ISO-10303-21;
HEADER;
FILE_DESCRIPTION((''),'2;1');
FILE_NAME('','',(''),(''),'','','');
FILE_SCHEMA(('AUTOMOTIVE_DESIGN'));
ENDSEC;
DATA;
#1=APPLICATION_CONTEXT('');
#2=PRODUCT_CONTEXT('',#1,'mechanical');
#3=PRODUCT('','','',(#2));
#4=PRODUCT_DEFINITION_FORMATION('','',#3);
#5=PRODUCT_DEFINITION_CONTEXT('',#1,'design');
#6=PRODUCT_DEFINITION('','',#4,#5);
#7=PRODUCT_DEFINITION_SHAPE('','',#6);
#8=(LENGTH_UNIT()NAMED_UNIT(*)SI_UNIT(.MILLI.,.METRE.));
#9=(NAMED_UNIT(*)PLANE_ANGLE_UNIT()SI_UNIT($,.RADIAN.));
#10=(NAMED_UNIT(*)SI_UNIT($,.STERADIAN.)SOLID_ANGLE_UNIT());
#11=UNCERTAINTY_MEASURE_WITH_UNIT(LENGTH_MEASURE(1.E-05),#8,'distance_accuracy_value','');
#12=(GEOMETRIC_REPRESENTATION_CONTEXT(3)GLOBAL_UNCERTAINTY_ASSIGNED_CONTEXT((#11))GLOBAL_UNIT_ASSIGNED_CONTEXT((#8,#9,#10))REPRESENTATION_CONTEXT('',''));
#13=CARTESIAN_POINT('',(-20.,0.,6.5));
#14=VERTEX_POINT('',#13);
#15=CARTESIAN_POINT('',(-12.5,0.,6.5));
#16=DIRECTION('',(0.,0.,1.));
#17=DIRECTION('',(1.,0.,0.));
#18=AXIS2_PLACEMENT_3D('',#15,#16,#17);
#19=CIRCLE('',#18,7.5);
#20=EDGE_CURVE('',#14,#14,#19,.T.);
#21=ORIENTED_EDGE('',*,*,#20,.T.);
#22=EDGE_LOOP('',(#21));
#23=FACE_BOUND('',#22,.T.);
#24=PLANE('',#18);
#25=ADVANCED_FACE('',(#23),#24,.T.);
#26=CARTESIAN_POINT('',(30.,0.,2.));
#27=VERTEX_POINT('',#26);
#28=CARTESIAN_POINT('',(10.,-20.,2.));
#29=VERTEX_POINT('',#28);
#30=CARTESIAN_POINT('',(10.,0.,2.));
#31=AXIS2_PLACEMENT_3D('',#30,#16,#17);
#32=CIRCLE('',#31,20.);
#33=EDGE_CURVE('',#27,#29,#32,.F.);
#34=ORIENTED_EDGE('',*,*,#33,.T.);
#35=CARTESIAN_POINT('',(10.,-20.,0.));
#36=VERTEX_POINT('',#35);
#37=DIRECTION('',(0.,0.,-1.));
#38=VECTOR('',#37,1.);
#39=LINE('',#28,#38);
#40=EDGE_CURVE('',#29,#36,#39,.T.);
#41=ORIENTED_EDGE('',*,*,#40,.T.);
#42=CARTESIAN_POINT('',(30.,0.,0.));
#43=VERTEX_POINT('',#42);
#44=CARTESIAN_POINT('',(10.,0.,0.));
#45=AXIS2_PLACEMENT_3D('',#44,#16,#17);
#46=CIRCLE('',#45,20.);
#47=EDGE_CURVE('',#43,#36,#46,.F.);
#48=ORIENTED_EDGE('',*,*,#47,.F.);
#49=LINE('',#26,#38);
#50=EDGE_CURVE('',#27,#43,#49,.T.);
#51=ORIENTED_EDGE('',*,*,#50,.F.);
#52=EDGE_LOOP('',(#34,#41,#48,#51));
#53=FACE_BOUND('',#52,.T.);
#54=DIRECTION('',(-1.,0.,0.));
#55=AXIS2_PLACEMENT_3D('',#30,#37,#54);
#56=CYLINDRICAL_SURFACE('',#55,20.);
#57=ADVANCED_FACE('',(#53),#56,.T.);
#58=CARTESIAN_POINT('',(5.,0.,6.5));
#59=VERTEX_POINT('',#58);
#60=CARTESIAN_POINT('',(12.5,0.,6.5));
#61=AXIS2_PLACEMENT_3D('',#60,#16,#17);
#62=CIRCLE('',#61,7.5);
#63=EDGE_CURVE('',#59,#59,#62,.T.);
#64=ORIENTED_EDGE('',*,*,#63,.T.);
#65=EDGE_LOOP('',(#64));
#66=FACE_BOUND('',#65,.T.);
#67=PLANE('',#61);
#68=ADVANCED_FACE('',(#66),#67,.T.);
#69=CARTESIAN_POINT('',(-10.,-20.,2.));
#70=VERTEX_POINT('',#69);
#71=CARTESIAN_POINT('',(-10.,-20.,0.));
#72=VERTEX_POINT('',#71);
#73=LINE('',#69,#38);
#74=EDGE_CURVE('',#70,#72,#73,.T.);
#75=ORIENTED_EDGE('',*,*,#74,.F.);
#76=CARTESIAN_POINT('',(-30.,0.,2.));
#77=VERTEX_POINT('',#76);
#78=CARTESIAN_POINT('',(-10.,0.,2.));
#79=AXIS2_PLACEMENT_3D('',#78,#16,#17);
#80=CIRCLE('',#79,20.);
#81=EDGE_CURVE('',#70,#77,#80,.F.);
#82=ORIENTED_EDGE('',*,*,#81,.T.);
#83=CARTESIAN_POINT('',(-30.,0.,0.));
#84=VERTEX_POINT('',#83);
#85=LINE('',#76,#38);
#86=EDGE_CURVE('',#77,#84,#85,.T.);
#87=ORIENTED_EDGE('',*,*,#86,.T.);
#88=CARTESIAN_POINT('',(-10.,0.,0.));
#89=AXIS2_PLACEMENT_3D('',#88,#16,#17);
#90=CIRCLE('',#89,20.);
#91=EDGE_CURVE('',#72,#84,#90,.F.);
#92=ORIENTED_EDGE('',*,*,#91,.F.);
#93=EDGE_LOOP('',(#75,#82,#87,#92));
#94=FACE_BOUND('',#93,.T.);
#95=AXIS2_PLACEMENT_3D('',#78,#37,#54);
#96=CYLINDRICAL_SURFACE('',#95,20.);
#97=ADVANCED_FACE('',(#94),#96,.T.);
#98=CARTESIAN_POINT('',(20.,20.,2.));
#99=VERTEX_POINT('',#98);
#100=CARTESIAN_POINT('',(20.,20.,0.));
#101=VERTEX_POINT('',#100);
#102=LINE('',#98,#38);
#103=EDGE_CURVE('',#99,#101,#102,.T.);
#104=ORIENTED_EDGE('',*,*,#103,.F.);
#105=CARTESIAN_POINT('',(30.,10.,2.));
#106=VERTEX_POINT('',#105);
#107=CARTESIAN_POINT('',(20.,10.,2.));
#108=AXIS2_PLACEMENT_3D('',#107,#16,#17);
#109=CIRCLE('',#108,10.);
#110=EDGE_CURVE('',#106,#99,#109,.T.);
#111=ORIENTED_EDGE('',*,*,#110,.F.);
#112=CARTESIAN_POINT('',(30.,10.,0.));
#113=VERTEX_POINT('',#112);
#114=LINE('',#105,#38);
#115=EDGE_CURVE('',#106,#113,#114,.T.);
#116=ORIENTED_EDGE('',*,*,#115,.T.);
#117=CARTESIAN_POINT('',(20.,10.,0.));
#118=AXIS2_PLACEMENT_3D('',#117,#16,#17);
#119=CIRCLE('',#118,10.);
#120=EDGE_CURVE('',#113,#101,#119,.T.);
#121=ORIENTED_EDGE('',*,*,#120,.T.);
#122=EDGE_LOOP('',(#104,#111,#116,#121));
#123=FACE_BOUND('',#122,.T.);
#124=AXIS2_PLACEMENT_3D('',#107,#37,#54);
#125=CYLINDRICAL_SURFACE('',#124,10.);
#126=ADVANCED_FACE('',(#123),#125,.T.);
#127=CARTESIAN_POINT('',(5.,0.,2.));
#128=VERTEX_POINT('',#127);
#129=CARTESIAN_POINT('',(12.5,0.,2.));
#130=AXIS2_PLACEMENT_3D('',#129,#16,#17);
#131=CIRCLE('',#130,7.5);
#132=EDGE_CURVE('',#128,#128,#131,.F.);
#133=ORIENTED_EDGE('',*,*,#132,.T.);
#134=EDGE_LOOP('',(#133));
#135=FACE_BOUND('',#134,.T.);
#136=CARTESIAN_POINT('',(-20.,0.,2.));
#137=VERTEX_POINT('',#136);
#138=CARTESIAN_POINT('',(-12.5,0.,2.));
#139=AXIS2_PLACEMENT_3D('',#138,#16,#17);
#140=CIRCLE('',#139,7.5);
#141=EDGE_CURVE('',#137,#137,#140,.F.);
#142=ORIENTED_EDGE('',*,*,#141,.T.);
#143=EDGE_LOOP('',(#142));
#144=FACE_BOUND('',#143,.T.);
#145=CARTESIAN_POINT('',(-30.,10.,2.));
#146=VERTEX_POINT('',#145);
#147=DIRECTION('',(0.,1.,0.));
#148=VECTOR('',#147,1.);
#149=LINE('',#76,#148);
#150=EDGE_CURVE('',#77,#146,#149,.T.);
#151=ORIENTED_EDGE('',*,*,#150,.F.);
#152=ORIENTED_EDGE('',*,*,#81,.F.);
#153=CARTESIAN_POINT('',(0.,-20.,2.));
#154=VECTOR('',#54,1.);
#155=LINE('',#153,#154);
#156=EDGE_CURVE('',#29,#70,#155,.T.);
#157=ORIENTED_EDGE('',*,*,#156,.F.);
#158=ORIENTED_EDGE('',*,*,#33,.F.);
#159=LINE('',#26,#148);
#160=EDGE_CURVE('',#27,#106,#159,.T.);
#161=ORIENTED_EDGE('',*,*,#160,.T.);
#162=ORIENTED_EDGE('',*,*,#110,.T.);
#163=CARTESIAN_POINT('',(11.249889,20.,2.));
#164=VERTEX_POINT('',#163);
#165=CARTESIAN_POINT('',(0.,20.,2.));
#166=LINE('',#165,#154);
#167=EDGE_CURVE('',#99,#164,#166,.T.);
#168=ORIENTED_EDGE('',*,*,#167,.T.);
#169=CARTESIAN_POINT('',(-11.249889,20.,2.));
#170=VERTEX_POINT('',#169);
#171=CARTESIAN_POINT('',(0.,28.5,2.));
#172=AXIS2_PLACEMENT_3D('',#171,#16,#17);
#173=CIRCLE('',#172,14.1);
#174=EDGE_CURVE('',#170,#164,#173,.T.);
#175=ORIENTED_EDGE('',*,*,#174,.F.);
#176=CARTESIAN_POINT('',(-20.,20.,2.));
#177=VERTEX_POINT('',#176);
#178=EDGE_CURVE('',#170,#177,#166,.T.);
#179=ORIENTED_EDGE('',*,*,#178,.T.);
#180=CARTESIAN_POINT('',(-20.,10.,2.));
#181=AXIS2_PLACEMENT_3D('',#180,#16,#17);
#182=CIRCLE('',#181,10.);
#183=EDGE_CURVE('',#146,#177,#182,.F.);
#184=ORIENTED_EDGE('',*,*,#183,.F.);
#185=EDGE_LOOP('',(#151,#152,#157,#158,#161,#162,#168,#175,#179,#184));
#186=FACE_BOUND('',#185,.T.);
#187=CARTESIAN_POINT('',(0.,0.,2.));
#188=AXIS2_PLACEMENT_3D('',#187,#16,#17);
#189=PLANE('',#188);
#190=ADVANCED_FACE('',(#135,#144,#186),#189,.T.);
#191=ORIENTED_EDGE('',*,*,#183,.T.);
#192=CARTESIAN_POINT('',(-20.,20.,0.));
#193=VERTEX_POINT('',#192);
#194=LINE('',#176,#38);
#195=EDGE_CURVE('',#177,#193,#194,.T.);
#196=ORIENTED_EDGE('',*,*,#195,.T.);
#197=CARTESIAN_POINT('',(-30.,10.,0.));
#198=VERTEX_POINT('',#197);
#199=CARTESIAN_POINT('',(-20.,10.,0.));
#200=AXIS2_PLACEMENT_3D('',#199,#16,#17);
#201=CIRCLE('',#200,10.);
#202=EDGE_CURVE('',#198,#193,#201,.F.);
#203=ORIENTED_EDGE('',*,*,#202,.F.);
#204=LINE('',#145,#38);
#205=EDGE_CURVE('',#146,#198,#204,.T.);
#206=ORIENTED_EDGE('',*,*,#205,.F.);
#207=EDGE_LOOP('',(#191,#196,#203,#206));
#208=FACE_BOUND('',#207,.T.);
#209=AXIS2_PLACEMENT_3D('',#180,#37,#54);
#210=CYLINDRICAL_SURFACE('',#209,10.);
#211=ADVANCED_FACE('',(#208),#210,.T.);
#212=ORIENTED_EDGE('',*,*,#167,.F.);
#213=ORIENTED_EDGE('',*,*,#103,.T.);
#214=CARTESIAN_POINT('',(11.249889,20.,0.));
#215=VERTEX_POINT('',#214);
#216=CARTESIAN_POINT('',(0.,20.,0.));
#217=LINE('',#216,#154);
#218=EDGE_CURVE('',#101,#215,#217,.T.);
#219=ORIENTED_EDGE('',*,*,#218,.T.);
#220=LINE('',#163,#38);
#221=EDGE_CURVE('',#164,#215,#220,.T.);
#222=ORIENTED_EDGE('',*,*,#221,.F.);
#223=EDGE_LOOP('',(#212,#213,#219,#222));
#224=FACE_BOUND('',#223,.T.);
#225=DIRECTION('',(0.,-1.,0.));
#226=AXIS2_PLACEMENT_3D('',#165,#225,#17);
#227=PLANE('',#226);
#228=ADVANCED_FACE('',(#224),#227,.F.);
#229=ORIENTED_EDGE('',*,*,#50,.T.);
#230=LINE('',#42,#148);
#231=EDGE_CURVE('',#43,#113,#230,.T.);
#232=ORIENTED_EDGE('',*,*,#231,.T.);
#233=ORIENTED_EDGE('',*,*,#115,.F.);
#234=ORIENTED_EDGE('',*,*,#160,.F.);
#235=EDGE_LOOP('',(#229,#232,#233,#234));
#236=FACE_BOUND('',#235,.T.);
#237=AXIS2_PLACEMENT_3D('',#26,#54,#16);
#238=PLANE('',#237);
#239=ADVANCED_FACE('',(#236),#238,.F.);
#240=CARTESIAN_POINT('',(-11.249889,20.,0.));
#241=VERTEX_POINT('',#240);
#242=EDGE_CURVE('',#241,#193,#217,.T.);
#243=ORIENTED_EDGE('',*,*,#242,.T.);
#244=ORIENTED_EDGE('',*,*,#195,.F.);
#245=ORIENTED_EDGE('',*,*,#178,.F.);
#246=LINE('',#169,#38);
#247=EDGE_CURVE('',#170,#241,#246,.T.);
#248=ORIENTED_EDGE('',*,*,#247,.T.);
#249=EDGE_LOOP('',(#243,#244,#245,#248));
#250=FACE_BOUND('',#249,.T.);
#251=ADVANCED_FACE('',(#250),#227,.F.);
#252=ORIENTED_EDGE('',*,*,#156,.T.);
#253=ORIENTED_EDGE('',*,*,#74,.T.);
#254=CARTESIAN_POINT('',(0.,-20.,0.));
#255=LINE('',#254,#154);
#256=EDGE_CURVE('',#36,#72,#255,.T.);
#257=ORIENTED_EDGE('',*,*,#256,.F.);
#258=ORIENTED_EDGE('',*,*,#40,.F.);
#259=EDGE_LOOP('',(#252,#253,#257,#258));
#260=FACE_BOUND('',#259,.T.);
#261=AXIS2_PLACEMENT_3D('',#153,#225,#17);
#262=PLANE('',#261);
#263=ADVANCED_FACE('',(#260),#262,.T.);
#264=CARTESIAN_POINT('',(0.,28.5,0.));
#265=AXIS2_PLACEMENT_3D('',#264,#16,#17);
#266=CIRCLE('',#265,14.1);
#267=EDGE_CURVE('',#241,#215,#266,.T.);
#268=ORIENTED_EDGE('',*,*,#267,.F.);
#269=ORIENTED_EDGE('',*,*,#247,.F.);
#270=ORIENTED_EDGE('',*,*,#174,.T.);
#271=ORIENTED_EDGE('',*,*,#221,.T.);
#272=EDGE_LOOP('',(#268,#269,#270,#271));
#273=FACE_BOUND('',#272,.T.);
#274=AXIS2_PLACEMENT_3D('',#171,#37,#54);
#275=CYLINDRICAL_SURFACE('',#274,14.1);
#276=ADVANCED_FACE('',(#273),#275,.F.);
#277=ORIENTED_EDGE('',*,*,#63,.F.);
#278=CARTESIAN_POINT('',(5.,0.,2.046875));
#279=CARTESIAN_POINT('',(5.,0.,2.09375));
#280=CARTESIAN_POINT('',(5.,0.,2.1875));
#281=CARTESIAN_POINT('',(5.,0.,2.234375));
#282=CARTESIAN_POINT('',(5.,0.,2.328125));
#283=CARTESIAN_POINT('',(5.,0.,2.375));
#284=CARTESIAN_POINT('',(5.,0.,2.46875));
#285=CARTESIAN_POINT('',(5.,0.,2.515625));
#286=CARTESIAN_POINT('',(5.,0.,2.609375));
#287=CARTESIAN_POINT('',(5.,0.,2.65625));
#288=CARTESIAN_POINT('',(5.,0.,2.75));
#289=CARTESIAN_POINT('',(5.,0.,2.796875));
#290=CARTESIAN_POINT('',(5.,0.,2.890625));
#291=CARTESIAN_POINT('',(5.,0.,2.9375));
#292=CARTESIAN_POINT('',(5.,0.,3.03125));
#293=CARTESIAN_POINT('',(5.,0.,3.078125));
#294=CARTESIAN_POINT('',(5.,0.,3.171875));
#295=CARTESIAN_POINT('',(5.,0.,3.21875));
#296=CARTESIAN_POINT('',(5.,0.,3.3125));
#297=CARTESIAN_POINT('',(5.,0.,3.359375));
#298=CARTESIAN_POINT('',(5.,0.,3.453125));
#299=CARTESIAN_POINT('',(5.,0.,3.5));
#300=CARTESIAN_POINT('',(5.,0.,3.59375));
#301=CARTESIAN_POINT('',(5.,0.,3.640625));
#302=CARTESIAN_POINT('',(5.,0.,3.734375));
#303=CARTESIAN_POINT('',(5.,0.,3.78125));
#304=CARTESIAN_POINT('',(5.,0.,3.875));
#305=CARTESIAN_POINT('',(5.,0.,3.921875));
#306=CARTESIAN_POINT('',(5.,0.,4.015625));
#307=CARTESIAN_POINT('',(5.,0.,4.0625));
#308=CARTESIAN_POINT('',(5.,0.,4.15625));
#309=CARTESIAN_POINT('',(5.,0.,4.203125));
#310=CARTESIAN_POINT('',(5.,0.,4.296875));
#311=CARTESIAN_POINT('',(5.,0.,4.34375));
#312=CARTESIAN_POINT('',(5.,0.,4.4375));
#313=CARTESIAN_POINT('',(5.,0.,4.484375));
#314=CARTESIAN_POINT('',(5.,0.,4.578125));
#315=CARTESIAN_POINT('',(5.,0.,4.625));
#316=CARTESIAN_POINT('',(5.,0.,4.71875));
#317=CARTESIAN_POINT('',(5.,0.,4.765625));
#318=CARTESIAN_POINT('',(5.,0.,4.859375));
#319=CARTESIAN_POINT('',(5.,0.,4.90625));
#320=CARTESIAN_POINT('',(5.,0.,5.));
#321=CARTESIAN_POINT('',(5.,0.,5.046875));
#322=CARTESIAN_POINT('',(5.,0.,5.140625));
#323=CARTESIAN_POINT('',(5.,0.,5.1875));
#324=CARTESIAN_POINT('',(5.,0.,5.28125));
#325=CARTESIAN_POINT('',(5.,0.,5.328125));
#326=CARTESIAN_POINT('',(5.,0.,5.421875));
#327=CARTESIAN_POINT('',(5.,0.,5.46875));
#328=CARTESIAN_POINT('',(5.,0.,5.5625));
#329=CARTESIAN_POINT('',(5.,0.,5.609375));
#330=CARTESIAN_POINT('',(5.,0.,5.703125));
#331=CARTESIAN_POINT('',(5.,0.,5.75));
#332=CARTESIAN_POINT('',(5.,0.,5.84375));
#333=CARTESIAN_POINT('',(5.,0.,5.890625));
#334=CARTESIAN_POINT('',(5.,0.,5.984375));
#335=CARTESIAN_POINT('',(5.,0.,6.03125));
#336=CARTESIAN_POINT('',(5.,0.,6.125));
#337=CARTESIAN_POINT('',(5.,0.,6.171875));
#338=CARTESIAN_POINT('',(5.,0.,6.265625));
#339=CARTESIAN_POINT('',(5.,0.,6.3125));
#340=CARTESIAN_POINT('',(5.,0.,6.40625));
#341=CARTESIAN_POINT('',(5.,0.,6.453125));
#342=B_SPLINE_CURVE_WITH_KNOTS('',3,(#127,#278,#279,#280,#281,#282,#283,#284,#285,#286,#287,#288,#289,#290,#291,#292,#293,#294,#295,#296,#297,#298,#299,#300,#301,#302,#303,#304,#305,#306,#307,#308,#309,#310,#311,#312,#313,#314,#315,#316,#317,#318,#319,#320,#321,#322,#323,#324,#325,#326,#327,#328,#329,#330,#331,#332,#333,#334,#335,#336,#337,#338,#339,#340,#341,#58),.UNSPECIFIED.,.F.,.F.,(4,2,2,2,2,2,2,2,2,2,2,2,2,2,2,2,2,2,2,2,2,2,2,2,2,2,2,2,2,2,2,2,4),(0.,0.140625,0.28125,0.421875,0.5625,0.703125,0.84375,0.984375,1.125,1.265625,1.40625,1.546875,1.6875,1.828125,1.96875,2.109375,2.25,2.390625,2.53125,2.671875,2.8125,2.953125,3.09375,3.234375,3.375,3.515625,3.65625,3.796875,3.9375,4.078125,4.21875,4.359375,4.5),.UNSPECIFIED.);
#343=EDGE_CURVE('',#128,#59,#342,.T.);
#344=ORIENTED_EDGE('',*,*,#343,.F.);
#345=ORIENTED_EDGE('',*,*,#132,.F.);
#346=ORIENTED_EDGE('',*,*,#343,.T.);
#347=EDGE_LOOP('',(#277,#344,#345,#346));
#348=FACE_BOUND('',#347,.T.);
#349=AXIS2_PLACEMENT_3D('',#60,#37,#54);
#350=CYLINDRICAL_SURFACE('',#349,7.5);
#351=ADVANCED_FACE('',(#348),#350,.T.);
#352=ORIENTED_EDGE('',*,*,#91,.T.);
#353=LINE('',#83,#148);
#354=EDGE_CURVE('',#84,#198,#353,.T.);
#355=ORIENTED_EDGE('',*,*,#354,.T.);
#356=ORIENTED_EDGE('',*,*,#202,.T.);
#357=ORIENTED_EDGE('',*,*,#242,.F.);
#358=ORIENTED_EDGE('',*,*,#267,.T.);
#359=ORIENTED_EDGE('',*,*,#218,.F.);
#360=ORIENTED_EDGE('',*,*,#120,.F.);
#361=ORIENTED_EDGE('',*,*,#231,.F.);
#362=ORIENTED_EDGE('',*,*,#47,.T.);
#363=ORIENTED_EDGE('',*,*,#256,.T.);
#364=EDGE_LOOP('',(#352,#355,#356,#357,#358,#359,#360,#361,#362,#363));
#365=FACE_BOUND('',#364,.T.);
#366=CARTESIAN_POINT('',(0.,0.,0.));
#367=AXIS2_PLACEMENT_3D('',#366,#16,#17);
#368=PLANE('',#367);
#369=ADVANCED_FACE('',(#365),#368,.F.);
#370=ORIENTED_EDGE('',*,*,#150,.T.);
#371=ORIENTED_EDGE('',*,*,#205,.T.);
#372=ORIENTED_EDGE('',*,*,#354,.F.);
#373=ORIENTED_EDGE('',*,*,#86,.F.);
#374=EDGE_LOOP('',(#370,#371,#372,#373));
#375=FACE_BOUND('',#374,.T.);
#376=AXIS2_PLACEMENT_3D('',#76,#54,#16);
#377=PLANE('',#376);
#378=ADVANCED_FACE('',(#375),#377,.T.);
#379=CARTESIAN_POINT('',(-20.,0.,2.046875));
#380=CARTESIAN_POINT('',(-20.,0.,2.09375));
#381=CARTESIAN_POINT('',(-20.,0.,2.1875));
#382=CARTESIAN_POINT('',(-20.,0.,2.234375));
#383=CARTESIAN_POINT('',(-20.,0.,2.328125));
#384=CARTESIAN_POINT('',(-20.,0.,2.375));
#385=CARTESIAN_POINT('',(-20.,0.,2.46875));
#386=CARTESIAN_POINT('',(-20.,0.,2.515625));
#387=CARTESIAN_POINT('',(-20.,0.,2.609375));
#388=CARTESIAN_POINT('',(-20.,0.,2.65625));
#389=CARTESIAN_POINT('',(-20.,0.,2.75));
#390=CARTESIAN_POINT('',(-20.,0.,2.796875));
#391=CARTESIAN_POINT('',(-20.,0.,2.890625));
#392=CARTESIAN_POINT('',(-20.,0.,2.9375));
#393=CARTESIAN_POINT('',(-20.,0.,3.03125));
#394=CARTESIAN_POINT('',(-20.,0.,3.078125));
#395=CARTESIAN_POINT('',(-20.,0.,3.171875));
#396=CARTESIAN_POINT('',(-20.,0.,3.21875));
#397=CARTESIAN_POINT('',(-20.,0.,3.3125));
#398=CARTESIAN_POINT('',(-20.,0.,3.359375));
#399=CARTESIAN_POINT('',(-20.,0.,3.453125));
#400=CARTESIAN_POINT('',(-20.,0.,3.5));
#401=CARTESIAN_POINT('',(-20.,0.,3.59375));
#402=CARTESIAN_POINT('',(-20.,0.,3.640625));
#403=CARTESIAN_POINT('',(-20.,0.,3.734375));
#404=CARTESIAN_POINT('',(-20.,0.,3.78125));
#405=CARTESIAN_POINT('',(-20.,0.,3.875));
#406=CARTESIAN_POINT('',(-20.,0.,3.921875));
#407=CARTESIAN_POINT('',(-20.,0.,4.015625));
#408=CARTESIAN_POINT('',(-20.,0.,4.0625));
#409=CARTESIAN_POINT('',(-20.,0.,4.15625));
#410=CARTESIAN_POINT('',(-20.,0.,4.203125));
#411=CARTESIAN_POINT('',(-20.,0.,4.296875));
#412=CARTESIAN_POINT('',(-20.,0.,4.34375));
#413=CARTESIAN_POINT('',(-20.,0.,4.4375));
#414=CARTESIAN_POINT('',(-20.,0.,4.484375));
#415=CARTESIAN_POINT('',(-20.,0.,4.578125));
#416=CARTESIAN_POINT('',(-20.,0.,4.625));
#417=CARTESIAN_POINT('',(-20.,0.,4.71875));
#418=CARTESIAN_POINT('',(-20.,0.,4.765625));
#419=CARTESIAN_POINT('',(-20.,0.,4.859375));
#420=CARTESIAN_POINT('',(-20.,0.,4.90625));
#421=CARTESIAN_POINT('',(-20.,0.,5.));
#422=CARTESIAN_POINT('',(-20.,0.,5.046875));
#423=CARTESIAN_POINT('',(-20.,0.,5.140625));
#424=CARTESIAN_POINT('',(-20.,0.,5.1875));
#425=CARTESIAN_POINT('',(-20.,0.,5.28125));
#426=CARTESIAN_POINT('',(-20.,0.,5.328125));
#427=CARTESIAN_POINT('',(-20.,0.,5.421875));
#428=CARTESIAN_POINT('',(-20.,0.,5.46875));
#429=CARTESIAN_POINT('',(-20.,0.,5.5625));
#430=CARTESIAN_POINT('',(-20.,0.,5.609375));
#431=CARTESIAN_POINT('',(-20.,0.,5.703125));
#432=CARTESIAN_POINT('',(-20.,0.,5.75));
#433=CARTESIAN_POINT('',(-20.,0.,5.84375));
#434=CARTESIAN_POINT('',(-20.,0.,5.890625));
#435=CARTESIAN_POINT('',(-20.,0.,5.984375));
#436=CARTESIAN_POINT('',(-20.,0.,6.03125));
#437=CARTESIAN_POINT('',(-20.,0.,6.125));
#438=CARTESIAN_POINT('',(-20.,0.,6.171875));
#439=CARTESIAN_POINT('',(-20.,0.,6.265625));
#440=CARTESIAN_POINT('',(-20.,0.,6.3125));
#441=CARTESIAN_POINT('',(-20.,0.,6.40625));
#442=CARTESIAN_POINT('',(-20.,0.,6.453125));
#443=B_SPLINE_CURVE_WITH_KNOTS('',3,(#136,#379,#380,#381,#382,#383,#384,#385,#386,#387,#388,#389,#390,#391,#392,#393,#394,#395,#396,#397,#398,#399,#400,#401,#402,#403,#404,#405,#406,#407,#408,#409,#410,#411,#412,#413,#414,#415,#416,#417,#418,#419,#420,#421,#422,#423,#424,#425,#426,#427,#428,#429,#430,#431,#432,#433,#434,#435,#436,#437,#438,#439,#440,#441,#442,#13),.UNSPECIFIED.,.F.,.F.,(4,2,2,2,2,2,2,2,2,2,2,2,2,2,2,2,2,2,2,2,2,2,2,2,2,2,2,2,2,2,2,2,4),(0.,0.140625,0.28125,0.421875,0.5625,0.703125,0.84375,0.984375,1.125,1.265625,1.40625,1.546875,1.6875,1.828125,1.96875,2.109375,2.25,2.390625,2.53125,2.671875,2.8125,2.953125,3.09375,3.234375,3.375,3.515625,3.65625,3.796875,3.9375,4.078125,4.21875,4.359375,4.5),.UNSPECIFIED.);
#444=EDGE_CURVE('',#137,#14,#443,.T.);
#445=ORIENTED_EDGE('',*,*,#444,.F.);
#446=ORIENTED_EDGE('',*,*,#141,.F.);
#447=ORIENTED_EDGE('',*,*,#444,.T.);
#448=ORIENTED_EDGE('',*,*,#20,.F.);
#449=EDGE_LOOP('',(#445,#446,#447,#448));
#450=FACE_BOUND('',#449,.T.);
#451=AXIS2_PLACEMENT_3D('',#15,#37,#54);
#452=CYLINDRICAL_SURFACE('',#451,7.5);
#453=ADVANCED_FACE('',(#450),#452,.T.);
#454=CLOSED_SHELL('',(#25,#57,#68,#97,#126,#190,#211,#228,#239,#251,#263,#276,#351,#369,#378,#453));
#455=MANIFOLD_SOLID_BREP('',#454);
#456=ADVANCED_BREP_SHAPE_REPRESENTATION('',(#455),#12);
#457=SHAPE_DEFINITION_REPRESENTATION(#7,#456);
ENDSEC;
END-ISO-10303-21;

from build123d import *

# Parameters (mm, degrees)
EXTRUDE_1_DEPTH = 2
SKETCH_3_R      = 7.5
EXTRUDE_2_DEPTH = 6.5


with BuildPart() as part:
    # 草图1 → 凸台-拉伸1 (new body)
    with BuildSketch(Plane.XY):
        with BuildLine():
            Line((-10, -20), (10, -20))
            ThreePointArc((10, -20), (24.142135624, -14.142135624), (30, 0))
            Line((30, 0), (30, 10))
            ThreePointArc((30, 10), (27.071067812, 17.071067812), (20, 20))
            Line((20, 20), (11.249888888, 20))
            ThreePointArc((11.249888888, 20), (0, 14.4), (-11.249888888, 20))
            Line((-11.249888888, 20), (-20, 20))
            ThreePointArc((-20, 20), (-27.071067812, 17.071067812), (-30, 10))
            Line((-30, 10), (-30, 0))
            ThreePointArc((-30, 0), (-24.142135624, -14.142135624), (-10, -20))
        make_face()
    extrude(amount=EXTRUDE_1_DEPTH)

    # 草图3 → 凸台-拉伸2 (add)
    with BuildSketch(Plane.XY):
        with Locations(Location((-12.5, 0, 0), (0, 0, 180))):
            Circle(SKETCH_3_R)
        with Locations(Location((12.5, 0, 0), (0, 0, 180))):
            Circle(SKETCH_3_R)
    extrude(amount=EXTRUDE_2_DEPTH)


solid = part.part
